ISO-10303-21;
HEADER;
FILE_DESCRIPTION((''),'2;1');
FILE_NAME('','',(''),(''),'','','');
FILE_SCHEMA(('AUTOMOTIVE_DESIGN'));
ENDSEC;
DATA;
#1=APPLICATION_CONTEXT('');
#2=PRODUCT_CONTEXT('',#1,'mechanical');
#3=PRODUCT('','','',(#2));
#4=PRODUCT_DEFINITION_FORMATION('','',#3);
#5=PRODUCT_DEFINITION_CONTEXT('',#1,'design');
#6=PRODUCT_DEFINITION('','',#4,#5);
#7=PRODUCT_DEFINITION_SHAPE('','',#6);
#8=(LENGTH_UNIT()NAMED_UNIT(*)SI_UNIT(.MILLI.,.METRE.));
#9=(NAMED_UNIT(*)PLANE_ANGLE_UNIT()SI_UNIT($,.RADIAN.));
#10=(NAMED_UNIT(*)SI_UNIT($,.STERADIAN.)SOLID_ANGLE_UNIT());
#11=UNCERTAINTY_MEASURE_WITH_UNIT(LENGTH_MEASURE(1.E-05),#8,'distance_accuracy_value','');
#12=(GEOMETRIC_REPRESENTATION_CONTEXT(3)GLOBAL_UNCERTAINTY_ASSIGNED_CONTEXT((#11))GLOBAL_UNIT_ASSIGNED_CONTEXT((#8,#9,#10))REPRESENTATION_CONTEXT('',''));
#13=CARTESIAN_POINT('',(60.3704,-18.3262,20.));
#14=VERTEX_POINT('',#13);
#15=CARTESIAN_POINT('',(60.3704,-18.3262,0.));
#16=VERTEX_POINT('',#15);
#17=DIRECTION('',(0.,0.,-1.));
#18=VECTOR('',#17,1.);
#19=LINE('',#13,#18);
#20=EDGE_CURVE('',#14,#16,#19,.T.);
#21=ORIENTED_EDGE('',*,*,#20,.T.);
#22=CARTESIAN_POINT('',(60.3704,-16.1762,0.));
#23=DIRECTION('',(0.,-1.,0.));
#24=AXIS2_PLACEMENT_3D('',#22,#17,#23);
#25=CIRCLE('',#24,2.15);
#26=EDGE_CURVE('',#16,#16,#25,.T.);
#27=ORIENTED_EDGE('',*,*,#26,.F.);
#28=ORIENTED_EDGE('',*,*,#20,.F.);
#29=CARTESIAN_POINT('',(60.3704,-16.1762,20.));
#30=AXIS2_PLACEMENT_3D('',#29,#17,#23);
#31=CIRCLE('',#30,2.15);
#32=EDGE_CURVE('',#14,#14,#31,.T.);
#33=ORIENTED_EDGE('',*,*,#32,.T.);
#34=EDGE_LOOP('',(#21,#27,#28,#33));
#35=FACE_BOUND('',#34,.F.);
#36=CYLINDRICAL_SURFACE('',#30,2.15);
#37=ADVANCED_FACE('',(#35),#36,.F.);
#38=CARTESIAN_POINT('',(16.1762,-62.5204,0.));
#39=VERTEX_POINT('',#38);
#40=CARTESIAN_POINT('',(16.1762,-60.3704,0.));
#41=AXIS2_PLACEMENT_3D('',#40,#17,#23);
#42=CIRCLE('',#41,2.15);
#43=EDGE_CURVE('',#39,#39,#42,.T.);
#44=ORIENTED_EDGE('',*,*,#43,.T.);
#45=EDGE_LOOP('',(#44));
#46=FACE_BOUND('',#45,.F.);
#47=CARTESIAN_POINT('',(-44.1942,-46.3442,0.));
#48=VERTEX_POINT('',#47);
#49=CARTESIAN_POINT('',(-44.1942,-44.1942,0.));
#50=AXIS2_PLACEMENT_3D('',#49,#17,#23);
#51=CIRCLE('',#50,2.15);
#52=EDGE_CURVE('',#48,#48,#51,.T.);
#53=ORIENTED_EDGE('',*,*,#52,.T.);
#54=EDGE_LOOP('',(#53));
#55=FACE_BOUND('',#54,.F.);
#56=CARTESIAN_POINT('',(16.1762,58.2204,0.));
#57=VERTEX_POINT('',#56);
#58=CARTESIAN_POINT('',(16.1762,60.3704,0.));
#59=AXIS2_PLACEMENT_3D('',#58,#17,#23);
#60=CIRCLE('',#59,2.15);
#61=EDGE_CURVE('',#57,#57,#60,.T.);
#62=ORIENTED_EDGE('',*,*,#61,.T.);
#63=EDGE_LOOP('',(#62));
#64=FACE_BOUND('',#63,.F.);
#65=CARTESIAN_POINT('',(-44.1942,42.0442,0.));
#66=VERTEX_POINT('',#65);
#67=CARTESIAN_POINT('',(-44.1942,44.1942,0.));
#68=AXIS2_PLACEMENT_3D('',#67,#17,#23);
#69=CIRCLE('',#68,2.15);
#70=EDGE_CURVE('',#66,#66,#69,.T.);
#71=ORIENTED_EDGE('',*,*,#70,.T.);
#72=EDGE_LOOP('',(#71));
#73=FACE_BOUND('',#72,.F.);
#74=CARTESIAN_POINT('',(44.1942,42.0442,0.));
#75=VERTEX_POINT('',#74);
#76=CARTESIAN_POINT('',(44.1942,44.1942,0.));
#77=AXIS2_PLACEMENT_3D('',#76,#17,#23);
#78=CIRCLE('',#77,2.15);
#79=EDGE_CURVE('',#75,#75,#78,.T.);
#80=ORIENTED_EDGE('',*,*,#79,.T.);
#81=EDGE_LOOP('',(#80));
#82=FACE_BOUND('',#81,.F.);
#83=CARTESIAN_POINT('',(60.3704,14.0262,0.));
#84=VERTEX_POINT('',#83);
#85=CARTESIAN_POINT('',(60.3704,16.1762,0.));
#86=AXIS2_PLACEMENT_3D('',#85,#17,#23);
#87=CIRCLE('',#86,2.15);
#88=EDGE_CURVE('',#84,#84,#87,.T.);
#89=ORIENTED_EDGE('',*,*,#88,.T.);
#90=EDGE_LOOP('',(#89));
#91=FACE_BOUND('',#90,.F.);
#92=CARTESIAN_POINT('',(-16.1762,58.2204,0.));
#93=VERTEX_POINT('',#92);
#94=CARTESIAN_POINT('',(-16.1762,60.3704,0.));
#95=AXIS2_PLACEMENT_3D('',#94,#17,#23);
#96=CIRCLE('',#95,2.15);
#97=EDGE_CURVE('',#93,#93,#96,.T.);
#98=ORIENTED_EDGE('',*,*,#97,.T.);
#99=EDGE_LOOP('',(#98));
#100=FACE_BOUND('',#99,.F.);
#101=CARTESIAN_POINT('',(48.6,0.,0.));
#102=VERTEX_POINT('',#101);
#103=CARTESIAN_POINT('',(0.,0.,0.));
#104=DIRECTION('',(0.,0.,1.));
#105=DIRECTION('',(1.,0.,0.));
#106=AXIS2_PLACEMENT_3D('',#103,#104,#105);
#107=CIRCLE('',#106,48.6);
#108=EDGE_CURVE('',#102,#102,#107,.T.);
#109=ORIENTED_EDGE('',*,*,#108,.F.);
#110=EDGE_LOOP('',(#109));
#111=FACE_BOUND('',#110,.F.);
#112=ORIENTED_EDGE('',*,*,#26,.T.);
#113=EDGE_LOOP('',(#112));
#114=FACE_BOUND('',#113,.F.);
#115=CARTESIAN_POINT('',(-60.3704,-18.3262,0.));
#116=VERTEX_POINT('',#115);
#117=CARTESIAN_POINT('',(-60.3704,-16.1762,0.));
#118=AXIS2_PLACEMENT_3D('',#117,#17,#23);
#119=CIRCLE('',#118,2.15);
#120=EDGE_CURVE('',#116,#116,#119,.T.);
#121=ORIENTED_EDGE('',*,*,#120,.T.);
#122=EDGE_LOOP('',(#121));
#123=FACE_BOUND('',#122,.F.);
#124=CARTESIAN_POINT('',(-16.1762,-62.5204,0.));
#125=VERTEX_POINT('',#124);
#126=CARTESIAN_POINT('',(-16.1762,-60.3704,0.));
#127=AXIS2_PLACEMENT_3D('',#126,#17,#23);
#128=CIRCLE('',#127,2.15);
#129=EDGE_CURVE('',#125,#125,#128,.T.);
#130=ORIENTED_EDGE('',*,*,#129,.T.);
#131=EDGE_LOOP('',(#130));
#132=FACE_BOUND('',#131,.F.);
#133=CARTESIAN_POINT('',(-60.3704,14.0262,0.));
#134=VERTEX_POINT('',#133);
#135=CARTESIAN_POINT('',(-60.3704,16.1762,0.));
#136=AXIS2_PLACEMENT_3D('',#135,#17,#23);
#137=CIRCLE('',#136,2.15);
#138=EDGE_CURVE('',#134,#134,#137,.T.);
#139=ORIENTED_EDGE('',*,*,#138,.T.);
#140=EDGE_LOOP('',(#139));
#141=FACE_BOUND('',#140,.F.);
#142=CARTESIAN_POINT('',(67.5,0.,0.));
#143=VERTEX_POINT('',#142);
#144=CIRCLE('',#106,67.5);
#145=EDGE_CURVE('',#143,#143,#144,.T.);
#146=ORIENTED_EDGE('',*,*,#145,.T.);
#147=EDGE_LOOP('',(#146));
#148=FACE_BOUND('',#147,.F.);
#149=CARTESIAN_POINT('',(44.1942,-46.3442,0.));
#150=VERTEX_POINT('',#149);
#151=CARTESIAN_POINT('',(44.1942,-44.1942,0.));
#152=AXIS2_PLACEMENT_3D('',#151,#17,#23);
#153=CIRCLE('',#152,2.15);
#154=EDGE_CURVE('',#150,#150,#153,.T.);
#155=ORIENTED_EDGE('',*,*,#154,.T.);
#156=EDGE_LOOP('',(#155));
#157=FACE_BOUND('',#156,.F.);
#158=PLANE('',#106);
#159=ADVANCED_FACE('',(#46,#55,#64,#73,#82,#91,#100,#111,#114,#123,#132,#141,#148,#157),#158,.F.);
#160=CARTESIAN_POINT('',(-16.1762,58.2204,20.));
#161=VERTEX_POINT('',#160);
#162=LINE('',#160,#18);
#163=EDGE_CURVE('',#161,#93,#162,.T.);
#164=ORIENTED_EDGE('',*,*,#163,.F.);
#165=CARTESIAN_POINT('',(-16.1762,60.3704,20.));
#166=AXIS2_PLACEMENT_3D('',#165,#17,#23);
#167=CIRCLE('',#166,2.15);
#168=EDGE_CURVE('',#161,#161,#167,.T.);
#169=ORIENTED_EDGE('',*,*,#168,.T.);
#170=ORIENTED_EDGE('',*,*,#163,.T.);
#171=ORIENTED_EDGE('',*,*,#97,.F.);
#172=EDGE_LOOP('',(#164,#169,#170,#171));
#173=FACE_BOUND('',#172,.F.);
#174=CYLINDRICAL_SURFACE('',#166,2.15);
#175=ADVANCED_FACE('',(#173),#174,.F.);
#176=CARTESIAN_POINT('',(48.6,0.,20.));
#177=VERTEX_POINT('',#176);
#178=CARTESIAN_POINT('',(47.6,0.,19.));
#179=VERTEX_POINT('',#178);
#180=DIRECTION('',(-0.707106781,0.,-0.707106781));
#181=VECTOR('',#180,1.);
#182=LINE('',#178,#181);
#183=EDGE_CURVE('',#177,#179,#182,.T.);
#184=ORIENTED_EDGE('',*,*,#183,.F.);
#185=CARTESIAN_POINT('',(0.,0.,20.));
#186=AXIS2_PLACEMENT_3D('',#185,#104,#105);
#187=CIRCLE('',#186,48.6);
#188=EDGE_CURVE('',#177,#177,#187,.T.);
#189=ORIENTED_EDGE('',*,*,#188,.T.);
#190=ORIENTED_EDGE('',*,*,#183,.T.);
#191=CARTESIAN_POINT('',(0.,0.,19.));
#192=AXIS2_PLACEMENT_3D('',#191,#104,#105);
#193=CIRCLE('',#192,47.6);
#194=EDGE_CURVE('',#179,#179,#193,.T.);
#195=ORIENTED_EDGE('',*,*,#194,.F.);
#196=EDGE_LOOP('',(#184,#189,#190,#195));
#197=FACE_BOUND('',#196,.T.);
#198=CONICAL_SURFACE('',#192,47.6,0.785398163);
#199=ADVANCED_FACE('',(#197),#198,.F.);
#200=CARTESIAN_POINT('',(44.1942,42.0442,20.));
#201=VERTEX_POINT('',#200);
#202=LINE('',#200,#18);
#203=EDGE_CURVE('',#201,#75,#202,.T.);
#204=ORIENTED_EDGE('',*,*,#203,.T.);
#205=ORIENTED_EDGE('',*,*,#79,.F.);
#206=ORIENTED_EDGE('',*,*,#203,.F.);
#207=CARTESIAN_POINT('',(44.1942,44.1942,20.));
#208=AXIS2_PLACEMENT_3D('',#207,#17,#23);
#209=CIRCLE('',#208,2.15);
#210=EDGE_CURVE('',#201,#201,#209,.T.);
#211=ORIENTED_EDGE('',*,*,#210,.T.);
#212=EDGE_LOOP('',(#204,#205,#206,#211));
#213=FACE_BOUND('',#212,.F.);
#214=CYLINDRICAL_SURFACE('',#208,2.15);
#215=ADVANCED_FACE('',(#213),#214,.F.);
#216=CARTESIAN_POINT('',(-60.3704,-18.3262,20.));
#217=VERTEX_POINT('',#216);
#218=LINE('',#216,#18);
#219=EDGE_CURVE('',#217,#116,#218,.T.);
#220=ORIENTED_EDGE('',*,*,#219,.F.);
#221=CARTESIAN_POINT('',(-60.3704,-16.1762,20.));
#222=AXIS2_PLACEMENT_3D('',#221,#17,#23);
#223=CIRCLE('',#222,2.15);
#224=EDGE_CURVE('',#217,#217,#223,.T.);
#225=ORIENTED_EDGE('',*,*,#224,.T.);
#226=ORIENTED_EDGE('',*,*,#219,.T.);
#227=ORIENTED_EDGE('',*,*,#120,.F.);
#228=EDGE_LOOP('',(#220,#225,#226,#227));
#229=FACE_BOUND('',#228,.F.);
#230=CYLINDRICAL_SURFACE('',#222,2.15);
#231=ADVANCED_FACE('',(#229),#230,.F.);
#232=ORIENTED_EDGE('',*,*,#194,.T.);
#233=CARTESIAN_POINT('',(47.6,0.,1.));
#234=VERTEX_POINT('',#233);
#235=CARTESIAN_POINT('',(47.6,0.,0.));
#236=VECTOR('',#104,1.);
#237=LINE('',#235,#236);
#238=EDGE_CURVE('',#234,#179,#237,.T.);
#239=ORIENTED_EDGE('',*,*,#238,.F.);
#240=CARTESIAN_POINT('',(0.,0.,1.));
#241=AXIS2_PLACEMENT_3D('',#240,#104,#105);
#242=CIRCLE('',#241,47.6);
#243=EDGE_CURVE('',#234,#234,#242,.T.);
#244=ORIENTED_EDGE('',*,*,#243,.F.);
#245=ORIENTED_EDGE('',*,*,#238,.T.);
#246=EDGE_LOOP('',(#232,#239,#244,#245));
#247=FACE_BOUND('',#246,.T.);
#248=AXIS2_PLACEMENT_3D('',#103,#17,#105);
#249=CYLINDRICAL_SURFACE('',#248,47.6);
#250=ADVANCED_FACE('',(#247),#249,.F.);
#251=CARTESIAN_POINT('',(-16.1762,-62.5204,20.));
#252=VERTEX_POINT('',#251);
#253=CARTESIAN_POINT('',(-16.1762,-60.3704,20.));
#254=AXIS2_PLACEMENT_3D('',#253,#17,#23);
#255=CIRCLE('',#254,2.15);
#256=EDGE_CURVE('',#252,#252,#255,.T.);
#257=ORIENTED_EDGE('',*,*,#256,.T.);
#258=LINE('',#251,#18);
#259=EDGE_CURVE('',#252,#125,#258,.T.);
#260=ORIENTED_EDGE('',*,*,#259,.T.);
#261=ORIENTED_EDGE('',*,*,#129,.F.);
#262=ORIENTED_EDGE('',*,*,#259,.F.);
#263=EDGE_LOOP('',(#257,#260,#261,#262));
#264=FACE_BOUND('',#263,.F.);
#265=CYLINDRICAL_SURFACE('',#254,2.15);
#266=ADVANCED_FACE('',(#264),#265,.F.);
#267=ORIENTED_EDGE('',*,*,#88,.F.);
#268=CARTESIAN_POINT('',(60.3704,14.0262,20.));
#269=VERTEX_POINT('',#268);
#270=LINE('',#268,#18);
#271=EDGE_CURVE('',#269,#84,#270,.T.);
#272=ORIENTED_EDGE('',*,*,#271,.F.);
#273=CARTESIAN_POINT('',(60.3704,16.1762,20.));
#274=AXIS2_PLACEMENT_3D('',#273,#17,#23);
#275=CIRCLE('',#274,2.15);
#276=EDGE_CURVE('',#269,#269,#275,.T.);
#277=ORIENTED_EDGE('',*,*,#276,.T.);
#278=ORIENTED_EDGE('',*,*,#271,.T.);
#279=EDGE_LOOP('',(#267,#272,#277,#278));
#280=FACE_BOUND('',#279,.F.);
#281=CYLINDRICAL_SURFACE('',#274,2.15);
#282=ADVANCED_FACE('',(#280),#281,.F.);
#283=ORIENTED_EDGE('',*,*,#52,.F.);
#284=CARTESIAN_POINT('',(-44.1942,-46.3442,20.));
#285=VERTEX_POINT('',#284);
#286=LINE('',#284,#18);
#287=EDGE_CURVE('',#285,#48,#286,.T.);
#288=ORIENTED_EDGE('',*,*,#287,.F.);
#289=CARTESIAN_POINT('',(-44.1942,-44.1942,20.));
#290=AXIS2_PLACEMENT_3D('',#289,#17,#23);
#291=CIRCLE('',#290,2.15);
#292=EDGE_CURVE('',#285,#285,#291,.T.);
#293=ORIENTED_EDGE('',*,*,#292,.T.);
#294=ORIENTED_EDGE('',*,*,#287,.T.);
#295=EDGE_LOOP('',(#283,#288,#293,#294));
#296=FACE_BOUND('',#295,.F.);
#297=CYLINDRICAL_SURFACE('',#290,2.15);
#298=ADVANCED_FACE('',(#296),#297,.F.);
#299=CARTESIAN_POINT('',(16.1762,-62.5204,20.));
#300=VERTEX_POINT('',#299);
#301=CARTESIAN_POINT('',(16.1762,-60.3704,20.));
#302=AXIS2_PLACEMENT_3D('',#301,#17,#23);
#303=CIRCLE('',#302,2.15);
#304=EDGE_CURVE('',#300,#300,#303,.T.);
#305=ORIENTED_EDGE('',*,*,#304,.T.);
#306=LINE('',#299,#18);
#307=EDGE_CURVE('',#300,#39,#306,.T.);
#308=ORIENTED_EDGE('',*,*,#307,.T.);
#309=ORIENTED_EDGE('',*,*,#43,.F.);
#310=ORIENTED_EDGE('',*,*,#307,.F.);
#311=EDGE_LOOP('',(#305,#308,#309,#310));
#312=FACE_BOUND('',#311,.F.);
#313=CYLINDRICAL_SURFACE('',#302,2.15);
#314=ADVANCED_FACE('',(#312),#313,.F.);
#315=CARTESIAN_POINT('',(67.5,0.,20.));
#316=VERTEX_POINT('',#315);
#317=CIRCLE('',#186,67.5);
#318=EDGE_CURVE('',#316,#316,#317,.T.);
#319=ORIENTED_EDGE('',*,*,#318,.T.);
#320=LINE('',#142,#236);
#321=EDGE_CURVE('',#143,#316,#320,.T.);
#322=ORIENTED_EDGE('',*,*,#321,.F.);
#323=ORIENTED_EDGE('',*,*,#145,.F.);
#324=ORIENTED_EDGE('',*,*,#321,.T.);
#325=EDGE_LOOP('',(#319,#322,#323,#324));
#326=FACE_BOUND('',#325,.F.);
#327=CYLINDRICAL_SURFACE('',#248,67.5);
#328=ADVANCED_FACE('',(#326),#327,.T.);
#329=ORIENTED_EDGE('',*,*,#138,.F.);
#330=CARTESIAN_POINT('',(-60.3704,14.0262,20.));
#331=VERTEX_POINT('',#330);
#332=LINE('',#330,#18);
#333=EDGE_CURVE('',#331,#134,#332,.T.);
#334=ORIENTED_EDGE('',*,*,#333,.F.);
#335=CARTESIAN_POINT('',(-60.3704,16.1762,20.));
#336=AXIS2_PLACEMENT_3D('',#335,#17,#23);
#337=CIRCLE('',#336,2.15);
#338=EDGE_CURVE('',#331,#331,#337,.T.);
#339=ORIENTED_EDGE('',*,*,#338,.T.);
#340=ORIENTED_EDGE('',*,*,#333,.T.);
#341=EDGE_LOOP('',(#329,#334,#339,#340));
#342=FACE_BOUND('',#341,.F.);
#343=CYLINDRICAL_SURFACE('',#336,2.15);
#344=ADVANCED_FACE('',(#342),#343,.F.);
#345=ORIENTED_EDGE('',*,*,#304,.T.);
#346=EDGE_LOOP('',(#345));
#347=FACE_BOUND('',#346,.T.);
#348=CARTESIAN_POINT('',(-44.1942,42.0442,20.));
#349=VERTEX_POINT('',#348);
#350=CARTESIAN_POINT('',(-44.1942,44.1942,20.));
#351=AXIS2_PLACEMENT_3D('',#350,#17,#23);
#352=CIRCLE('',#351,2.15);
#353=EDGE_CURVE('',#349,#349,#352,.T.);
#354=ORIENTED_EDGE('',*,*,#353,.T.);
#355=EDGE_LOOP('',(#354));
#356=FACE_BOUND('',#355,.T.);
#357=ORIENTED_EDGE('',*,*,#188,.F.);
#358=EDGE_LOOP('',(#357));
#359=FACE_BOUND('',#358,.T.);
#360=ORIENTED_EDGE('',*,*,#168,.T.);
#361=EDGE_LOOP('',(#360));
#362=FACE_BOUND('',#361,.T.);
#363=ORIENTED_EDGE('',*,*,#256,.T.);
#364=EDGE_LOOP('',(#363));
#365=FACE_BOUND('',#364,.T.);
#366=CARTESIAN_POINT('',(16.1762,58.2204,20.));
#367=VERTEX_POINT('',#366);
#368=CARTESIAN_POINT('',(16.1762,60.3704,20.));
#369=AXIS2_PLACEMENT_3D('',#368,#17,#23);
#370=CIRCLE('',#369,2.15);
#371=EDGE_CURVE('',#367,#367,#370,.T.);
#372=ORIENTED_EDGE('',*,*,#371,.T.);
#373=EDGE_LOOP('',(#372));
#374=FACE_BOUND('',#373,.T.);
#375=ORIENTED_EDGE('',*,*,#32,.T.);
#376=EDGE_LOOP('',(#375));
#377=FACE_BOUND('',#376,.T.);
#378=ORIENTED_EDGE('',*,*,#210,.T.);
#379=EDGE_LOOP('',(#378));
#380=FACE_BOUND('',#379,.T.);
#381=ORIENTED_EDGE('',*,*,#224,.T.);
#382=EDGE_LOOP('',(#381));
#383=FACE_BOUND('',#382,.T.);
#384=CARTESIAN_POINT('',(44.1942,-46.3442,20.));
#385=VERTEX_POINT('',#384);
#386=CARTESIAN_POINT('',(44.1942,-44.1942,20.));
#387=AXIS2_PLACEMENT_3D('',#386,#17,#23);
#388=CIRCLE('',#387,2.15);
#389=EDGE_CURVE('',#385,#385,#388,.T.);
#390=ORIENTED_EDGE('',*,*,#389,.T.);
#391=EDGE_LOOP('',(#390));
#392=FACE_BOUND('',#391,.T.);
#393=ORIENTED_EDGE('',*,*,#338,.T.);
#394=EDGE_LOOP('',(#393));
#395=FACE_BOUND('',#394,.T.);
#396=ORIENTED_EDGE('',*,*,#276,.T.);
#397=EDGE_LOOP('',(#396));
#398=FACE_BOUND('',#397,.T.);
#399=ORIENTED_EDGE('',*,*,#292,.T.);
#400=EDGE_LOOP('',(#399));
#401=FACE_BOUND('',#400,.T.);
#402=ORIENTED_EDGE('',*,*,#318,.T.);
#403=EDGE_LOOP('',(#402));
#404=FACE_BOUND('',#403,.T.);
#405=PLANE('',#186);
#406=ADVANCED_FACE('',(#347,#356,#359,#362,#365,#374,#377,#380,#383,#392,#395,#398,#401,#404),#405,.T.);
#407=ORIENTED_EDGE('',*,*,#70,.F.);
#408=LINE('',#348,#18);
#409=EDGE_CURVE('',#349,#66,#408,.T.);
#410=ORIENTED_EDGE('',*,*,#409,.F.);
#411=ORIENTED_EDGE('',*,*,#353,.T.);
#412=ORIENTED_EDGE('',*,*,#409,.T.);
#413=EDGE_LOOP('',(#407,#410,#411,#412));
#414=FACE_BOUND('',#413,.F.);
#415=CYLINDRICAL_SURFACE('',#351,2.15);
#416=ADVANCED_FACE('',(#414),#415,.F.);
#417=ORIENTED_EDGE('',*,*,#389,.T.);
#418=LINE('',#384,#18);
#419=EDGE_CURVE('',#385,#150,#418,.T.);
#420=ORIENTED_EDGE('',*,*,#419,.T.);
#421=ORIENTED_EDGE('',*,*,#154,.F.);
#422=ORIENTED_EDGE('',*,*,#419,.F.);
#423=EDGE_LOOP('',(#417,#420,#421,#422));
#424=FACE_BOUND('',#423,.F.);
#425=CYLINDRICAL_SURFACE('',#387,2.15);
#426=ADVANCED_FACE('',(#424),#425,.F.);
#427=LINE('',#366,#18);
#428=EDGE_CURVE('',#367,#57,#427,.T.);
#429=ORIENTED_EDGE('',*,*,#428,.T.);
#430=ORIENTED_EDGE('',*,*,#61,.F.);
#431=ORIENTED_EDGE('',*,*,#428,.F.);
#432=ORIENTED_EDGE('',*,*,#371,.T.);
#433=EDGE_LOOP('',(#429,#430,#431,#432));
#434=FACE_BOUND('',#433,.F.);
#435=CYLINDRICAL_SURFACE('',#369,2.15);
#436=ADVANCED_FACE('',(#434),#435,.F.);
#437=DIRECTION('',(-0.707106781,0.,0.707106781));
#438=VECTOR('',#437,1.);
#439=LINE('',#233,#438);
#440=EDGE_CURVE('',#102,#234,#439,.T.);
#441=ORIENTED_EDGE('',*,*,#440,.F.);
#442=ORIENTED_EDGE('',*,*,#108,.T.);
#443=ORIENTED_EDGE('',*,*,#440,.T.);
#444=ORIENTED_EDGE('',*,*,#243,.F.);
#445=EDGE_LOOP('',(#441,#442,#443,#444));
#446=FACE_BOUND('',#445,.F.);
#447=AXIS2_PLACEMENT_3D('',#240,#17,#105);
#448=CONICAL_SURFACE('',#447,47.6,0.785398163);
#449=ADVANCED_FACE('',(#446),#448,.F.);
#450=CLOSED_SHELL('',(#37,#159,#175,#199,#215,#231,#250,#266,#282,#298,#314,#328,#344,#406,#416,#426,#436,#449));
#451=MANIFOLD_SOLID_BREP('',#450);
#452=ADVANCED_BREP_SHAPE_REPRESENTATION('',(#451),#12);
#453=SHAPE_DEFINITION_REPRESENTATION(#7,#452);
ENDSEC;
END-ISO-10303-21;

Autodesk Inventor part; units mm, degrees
ref_plane "YZ Plane" through (0, 0, 0) normal (1, 0, 0) x (0, 1, 0)
ref_plane "XZ Plane" through (0, 0, 0) normal (0, 1, 0) x (-1, 0, 0)
ref_plane "XY Plane" through (0, 0, 0) normal (0, 0, 1) x (1, 0, 0)
sketch "スケッチ1" plane through (0, 0, 0) normal (0, 0, 1) x (1, 0, 0)
  circle A0 centre (0, 0) radius 47.6
  circle A1 centre (0, 0) radius 67.5
  dimension "d0" = 95.2
  dimension "d1" = 135
extrude "押し出し1" add sketch "スケッチ1" along normal blind 20
sketch "スケッチ2" plane through (0, 0, 20) normal (0, 0, 1) x (1, 0, 0)
  circle A0 centre (0, 0) radius 62.5
  point P0 (16.1762, 60.3704)
  point P1 (-16.1762, 60.3704)
  point P2 (-44.1942, 44.1942)
  point P3 (-60.3704, 16.1762)
  point P4 (-60.3704, -16.1762)
  point P5 (-44.1942, -44.1942)
  point P6 (-16.1762, -60.3704)
  point P7 (16.1762, -60.3704)
  point P8 (44.1942, -44.1942)
  point P9 (60.3704, -16.1762)
  point P10 (60.3704, 16.1762)
  point P11 (44.1942, 44.1942)
  dimension "d4" = 125
  dimension "d7" = 360
  dimension "d25" = 0
hole "穴1" at (16.1762, 60.3704, 20) at (-16.1762, 60.3704, 20) at (-44.1942, 44.1942, 20) at (-60.3704, 16.1762, 20) at (-60.3704, -16.1762, 20) at (-44.1942, -44.1942, 20) at (-16.1762, -60.3704, 20) at (16.1762, -60.3704, 20) at (44.1942, -44.1942, 20) at (60.3704, -16.1762, 20) at (60.3704, 16.1762, 20) at (44.1942, 44.1942, 20) direction (0, 0, -1) diameter 4.3 end through all clearance for "Flat Head Machine Screw" size "M4" standard "Ansi Metric M Profile"
chamfer "面取り1" distance 1 angle 45 2 edges at (-47.6, 0, 20) (-47.6, 0, 0)
sketch "スケッチ3" plane through (0, 0, 20) normal (0, 0, 1) x (1, 0, 0)
  circle A0 centre (16.1762, 60.3704) radius 2.15 projected
  circle A1 centre (-16.1762, 60.3704) radius 2.15 projected
  circle A2 centre (0, 0) radius 67.5 projected
  circle A3 centre (-16.1762, 60.3704) radius 5
  circle A4 centre (16.1762, 60.3704) radius 5
  circle A5 centre (0, 0) radius 62.5
  point P0 (-11.2987, 61.4702)
  point P1 (11.2987, 61.4702)
  point P2 (17.4703, 65.2)
  point P3 (-17.4703, 65.2)
properties part number "unit-base3" material "ABS プラスチック"
